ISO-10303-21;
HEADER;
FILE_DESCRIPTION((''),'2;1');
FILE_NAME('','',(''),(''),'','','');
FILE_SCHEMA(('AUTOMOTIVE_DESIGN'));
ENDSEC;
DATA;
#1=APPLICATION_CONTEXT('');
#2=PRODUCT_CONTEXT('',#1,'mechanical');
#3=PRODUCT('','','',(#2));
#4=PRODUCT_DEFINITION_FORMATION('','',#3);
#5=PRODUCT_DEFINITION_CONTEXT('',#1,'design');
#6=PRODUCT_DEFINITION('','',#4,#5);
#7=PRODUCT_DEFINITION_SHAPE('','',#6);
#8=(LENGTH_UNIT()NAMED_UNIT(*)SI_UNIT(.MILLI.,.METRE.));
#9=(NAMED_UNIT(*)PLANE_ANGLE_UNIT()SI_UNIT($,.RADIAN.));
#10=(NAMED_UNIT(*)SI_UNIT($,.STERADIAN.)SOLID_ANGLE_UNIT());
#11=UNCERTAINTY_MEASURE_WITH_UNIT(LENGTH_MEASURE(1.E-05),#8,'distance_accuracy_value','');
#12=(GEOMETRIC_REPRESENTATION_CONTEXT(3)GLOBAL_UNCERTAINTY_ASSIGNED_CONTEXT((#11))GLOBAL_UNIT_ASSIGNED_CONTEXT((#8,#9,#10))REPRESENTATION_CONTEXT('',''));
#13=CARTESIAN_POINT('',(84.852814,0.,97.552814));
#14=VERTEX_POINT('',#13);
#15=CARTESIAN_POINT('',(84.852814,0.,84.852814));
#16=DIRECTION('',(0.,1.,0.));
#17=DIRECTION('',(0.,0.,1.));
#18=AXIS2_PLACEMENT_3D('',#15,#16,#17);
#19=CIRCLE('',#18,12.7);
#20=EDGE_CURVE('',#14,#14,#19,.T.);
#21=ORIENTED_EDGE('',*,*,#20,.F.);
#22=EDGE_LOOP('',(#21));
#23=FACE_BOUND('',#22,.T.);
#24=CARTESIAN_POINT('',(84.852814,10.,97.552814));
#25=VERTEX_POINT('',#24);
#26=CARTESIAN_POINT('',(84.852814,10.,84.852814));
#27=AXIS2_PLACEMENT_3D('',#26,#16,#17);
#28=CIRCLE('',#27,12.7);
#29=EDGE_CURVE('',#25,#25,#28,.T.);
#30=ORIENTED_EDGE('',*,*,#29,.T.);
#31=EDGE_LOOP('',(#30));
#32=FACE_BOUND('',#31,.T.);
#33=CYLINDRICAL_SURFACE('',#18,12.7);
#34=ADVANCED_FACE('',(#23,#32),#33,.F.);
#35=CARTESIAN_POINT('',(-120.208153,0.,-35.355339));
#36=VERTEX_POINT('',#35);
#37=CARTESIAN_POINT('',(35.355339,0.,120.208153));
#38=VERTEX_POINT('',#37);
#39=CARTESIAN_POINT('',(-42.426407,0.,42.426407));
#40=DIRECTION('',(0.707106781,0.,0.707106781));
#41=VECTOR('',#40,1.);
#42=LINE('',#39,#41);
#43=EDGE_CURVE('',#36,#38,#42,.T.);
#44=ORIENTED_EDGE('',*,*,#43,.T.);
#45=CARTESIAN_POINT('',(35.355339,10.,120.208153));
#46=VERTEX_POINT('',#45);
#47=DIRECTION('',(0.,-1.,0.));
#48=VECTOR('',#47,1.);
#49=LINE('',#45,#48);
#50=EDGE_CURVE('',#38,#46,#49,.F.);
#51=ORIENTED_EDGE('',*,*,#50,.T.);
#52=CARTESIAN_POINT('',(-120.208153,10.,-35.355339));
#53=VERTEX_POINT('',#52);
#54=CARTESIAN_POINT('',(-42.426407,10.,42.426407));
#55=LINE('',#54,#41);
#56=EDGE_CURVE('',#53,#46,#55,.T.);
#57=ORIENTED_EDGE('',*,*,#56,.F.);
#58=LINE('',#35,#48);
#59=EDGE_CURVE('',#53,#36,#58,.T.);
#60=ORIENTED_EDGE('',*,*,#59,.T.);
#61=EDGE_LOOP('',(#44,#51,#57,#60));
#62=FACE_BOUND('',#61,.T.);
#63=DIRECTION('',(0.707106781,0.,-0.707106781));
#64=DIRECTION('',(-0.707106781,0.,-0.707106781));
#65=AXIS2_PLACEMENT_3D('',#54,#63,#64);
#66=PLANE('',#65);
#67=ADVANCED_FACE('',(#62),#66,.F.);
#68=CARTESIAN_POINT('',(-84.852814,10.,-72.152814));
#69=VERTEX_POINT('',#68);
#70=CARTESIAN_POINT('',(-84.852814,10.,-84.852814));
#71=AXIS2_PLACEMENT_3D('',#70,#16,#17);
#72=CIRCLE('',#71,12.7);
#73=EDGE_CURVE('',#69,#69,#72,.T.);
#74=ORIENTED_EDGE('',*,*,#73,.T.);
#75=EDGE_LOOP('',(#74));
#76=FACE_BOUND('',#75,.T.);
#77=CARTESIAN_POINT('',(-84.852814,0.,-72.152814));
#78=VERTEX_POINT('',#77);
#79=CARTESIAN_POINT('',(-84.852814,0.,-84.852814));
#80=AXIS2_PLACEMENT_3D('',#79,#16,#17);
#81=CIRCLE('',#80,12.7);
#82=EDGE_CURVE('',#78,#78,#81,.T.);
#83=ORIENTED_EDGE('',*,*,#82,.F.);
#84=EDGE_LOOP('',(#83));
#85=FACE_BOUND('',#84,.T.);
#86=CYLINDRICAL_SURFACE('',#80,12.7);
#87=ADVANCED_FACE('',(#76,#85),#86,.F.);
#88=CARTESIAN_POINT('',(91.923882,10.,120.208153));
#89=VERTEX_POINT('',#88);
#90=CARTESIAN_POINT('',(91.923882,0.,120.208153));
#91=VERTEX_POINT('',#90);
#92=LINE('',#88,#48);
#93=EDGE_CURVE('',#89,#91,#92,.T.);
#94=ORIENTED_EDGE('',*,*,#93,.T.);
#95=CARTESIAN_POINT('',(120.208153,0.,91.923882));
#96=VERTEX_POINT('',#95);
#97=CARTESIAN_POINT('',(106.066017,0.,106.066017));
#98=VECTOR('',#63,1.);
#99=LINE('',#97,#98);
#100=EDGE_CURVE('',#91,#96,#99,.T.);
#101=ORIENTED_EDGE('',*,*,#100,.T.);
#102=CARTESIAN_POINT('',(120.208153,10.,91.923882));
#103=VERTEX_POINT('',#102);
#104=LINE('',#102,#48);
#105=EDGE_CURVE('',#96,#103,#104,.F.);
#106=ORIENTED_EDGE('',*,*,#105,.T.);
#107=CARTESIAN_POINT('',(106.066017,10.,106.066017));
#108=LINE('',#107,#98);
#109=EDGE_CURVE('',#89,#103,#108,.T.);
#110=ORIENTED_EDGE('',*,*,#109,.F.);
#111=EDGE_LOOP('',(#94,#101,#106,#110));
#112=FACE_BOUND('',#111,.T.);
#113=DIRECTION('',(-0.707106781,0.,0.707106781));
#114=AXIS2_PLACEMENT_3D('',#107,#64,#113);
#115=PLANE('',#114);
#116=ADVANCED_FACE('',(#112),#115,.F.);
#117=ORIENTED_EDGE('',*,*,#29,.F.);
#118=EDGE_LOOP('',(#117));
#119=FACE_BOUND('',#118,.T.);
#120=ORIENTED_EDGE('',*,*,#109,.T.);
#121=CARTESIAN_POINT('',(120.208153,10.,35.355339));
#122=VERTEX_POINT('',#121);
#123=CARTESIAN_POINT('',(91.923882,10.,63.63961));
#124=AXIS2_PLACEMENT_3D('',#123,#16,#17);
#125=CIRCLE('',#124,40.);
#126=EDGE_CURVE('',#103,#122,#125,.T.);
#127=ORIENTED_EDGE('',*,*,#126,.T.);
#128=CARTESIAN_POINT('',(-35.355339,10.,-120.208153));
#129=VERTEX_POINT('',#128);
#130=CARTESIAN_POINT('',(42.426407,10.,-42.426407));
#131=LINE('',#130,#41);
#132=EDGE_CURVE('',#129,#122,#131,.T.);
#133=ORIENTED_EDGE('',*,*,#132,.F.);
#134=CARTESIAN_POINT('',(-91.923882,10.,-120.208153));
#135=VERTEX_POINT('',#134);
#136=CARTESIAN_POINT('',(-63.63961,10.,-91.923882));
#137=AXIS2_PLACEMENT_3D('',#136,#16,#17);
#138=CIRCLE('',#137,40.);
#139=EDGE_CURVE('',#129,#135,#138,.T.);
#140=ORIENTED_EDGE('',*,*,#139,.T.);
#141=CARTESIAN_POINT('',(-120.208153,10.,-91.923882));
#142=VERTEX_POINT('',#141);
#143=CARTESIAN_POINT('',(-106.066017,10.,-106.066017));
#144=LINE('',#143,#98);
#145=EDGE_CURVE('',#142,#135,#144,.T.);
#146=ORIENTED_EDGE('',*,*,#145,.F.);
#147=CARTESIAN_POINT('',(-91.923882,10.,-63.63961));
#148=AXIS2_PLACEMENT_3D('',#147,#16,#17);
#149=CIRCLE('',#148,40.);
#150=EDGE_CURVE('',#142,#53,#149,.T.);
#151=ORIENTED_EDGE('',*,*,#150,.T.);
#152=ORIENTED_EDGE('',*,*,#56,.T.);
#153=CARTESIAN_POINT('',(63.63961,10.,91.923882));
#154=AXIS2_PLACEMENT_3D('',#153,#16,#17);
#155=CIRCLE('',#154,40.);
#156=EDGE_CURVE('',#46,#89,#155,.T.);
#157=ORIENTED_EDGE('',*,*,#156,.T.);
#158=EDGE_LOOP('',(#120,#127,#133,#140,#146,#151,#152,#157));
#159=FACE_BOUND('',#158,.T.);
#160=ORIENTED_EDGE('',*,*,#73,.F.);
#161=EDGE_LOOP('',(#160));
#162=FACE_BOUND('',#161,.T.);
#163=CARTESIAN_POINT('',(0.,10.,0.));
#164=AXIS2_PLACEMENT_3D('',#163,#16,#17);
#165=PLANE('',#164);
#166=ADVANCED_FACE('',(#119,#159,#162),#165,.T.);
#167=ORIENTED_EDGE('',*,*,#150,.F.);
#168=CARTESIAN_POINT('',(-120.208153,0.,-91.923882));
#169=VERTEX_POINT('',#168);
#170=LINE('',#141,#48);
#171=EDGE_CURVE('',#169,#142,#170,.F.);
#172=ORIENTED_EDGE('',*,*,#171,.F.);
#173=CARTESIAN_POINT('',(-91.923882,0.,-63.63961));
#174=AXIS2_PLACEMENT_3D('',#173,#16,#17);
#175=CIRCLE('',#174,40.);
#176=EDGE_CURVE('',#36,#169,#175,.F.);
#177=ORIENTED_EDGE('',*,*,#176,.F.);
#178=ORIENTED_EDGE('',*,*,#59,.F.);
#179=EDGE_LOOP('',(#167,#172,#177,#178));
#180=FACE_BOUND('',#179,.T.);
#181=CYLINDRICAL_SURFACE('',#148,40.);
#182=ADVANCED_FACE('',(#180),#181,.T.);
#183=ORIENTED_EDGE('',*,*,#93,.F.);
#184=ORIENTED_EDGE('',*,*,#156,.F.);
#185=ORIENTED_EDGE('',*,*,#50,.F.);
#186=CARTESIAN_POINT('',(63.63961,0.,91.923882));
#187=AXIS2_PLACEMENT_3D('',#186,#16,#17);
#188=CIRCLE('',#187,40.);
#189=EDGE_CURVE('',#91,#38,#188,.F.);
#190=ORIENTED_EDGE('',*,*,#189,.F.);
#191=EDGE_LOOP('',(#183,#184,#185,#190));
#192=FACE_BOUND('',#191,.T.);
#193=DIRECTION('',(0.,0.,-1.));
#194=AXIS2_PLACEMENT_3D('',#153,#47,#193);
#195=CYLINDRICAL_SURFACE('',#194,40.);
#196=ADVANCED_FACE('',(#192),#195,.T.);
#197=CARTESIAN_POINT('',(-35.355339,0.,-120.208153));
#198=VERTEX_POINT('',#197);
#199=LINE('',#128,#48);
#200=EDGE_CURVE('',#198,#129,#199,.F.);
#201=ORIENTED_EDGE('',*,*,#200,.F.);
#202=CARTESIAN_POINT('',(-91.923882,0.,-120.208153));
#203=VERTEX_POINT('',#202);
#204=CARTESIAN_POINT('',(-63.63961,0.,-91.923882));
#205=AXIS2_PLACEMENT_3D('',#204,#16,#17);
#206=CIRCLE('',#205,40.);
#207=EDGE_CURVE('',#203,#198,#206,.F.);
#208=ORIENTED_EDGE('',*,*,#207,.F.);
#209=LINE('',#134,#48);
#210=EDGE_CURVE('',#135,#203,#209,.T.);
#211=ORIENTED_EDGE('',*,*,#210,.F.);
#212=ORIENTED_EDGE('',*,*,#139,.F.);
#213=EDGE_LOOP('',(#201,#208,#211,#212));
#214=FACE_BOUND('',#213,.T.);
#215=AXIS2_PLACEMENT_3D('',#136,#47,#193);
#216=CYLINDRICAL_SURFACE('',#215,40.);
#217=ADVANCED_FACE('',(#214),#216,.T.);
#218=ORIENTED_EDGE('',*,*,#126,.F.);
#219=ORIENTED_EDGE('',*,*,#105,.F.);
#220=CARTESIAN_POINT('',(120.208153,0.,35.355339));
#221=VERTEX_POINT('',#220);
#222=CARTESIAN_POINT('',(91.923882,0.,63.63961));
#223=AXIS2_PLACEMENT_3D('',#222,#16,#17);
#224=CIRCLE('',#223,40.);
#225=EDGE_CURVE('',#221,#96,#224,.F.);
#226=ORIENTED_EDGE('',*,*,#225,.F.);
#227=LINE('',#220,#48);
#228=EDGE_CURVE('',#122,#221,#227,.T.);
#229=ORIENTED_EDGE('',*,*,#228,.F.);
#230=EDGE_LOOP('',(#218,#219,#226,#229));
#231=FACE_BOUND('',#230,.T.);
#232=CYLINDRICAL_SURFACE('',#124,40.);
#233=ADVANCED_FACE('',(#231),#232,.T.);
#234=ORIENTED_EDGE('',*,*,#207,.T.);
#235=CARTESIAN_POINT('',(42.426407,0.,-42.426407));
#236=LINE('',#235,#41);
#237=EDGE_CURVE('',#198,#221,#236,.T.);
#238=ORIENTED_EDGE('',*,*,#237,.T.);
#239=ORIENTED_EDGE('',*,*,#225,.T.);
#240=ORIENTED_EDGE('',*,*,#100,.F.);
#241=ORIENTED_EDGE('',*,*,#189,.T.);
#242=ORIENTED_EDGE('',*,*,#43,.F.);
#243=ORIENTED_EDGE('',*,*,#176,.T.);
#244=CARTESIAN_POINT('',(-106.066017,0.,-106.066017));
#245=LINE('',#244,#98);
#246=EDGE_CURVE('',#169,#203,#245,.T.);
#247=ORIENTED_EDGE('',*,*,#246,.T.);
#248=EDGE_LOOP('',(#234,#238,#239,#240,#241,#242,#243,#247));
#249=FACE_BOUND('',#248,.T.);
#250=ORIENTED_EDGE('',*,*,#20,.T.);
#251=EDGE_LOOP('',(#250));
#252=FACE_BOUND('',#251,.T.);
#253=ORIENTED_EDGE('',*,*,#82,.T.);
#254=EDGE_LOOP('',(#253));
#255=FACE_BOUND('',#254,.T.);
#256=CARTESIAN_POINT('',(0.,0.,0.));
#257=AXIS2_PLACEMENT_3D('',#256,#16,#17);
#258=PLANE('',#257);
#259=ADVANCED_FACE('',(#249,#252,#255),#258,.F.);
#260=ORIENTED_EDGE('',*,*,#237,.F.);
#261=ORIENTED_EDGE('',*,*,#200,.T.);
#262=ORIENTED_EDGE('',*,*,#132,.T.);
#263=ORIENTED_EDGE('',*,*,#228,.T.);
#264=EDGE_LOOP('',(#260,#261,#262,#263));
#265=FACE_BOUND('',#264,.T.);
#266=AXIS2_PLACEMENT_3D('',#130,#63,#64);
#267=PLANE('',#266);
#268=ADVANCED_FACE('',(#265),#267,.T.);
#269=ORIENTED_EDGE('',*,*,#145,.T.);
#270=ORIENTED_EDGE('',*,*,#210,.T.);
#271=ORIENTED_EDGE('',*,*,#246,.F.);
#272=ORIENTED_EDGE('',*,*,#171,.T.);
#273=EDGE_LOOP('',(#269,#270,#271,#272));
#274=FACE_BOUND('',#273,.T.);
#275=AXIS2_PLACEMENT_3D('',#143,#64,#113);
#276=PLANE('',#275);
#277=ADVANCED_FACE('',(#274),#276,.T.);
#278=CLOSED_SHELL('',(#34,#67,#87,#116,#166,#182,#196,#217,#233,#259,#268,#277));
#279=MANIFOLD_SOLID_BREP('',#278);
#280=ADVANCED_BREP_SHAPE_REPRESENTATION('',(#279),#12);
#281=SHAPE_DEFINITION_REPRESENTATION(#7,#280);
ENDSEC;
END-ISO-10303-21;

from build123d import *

# Parameters (mm, degrees)
BOSS_EXTRUDE1_DEPTH = 10
SKETCH2_R           = 12.7
CUT_EXTRUDE1_DEPTH  = 10
FILLET1_R           = 40


with BuildPart() as part:
    # Sketch1 → Boss-Extrude1 (new body)
    with BuildSketch(Plane(origin=(0, 0, 0), x_dir=(1, 0, 0), z_dir=(0, 1, 0))):
        Polygon((-63.639610307, 148.492424049), (148.492424049, -63.639610307), (63.639610307, -148.492424049), (-148.492424049, 63.639610307), align=None)
    extrude(amount=BOSS_EXTRUDE1_DEPTH)

    # Sketch2 → Cut-Extrude1 (cut)
    with BuildSketch(Plane(origin=(0, 10, 0), x_dir=(1, 0, 0), z_dir=(0, 1, 0))):
        with Locations(Location((-84.852813742, 84.852813742, 0), (0, 0, 270))):
            Circle(SKETCH2_R)
        with Locations(Location((84.852813742, -84.852813742, 0), (0, 0, 270))):
            Circle(SKETCH2_R)
    extrude(amount=-CUT_EXTRUDE1_DEPTH, mode=Mode.SUBTRACT)

    # Fillet1
    fillet1_edges = [part.edges().sort_by_distance(p)[0] for p in [
        (148.492424049, 5, 63.639610307),
        (63.639610307, 5, 148.492424049),
        (-148.492424049, 5, -63.639610307),
        (-63.639610307, 5, -148.492424049),
    ]]
    fillet(fillet1_edges, radius=FILLET1_R)


solid = part.part
